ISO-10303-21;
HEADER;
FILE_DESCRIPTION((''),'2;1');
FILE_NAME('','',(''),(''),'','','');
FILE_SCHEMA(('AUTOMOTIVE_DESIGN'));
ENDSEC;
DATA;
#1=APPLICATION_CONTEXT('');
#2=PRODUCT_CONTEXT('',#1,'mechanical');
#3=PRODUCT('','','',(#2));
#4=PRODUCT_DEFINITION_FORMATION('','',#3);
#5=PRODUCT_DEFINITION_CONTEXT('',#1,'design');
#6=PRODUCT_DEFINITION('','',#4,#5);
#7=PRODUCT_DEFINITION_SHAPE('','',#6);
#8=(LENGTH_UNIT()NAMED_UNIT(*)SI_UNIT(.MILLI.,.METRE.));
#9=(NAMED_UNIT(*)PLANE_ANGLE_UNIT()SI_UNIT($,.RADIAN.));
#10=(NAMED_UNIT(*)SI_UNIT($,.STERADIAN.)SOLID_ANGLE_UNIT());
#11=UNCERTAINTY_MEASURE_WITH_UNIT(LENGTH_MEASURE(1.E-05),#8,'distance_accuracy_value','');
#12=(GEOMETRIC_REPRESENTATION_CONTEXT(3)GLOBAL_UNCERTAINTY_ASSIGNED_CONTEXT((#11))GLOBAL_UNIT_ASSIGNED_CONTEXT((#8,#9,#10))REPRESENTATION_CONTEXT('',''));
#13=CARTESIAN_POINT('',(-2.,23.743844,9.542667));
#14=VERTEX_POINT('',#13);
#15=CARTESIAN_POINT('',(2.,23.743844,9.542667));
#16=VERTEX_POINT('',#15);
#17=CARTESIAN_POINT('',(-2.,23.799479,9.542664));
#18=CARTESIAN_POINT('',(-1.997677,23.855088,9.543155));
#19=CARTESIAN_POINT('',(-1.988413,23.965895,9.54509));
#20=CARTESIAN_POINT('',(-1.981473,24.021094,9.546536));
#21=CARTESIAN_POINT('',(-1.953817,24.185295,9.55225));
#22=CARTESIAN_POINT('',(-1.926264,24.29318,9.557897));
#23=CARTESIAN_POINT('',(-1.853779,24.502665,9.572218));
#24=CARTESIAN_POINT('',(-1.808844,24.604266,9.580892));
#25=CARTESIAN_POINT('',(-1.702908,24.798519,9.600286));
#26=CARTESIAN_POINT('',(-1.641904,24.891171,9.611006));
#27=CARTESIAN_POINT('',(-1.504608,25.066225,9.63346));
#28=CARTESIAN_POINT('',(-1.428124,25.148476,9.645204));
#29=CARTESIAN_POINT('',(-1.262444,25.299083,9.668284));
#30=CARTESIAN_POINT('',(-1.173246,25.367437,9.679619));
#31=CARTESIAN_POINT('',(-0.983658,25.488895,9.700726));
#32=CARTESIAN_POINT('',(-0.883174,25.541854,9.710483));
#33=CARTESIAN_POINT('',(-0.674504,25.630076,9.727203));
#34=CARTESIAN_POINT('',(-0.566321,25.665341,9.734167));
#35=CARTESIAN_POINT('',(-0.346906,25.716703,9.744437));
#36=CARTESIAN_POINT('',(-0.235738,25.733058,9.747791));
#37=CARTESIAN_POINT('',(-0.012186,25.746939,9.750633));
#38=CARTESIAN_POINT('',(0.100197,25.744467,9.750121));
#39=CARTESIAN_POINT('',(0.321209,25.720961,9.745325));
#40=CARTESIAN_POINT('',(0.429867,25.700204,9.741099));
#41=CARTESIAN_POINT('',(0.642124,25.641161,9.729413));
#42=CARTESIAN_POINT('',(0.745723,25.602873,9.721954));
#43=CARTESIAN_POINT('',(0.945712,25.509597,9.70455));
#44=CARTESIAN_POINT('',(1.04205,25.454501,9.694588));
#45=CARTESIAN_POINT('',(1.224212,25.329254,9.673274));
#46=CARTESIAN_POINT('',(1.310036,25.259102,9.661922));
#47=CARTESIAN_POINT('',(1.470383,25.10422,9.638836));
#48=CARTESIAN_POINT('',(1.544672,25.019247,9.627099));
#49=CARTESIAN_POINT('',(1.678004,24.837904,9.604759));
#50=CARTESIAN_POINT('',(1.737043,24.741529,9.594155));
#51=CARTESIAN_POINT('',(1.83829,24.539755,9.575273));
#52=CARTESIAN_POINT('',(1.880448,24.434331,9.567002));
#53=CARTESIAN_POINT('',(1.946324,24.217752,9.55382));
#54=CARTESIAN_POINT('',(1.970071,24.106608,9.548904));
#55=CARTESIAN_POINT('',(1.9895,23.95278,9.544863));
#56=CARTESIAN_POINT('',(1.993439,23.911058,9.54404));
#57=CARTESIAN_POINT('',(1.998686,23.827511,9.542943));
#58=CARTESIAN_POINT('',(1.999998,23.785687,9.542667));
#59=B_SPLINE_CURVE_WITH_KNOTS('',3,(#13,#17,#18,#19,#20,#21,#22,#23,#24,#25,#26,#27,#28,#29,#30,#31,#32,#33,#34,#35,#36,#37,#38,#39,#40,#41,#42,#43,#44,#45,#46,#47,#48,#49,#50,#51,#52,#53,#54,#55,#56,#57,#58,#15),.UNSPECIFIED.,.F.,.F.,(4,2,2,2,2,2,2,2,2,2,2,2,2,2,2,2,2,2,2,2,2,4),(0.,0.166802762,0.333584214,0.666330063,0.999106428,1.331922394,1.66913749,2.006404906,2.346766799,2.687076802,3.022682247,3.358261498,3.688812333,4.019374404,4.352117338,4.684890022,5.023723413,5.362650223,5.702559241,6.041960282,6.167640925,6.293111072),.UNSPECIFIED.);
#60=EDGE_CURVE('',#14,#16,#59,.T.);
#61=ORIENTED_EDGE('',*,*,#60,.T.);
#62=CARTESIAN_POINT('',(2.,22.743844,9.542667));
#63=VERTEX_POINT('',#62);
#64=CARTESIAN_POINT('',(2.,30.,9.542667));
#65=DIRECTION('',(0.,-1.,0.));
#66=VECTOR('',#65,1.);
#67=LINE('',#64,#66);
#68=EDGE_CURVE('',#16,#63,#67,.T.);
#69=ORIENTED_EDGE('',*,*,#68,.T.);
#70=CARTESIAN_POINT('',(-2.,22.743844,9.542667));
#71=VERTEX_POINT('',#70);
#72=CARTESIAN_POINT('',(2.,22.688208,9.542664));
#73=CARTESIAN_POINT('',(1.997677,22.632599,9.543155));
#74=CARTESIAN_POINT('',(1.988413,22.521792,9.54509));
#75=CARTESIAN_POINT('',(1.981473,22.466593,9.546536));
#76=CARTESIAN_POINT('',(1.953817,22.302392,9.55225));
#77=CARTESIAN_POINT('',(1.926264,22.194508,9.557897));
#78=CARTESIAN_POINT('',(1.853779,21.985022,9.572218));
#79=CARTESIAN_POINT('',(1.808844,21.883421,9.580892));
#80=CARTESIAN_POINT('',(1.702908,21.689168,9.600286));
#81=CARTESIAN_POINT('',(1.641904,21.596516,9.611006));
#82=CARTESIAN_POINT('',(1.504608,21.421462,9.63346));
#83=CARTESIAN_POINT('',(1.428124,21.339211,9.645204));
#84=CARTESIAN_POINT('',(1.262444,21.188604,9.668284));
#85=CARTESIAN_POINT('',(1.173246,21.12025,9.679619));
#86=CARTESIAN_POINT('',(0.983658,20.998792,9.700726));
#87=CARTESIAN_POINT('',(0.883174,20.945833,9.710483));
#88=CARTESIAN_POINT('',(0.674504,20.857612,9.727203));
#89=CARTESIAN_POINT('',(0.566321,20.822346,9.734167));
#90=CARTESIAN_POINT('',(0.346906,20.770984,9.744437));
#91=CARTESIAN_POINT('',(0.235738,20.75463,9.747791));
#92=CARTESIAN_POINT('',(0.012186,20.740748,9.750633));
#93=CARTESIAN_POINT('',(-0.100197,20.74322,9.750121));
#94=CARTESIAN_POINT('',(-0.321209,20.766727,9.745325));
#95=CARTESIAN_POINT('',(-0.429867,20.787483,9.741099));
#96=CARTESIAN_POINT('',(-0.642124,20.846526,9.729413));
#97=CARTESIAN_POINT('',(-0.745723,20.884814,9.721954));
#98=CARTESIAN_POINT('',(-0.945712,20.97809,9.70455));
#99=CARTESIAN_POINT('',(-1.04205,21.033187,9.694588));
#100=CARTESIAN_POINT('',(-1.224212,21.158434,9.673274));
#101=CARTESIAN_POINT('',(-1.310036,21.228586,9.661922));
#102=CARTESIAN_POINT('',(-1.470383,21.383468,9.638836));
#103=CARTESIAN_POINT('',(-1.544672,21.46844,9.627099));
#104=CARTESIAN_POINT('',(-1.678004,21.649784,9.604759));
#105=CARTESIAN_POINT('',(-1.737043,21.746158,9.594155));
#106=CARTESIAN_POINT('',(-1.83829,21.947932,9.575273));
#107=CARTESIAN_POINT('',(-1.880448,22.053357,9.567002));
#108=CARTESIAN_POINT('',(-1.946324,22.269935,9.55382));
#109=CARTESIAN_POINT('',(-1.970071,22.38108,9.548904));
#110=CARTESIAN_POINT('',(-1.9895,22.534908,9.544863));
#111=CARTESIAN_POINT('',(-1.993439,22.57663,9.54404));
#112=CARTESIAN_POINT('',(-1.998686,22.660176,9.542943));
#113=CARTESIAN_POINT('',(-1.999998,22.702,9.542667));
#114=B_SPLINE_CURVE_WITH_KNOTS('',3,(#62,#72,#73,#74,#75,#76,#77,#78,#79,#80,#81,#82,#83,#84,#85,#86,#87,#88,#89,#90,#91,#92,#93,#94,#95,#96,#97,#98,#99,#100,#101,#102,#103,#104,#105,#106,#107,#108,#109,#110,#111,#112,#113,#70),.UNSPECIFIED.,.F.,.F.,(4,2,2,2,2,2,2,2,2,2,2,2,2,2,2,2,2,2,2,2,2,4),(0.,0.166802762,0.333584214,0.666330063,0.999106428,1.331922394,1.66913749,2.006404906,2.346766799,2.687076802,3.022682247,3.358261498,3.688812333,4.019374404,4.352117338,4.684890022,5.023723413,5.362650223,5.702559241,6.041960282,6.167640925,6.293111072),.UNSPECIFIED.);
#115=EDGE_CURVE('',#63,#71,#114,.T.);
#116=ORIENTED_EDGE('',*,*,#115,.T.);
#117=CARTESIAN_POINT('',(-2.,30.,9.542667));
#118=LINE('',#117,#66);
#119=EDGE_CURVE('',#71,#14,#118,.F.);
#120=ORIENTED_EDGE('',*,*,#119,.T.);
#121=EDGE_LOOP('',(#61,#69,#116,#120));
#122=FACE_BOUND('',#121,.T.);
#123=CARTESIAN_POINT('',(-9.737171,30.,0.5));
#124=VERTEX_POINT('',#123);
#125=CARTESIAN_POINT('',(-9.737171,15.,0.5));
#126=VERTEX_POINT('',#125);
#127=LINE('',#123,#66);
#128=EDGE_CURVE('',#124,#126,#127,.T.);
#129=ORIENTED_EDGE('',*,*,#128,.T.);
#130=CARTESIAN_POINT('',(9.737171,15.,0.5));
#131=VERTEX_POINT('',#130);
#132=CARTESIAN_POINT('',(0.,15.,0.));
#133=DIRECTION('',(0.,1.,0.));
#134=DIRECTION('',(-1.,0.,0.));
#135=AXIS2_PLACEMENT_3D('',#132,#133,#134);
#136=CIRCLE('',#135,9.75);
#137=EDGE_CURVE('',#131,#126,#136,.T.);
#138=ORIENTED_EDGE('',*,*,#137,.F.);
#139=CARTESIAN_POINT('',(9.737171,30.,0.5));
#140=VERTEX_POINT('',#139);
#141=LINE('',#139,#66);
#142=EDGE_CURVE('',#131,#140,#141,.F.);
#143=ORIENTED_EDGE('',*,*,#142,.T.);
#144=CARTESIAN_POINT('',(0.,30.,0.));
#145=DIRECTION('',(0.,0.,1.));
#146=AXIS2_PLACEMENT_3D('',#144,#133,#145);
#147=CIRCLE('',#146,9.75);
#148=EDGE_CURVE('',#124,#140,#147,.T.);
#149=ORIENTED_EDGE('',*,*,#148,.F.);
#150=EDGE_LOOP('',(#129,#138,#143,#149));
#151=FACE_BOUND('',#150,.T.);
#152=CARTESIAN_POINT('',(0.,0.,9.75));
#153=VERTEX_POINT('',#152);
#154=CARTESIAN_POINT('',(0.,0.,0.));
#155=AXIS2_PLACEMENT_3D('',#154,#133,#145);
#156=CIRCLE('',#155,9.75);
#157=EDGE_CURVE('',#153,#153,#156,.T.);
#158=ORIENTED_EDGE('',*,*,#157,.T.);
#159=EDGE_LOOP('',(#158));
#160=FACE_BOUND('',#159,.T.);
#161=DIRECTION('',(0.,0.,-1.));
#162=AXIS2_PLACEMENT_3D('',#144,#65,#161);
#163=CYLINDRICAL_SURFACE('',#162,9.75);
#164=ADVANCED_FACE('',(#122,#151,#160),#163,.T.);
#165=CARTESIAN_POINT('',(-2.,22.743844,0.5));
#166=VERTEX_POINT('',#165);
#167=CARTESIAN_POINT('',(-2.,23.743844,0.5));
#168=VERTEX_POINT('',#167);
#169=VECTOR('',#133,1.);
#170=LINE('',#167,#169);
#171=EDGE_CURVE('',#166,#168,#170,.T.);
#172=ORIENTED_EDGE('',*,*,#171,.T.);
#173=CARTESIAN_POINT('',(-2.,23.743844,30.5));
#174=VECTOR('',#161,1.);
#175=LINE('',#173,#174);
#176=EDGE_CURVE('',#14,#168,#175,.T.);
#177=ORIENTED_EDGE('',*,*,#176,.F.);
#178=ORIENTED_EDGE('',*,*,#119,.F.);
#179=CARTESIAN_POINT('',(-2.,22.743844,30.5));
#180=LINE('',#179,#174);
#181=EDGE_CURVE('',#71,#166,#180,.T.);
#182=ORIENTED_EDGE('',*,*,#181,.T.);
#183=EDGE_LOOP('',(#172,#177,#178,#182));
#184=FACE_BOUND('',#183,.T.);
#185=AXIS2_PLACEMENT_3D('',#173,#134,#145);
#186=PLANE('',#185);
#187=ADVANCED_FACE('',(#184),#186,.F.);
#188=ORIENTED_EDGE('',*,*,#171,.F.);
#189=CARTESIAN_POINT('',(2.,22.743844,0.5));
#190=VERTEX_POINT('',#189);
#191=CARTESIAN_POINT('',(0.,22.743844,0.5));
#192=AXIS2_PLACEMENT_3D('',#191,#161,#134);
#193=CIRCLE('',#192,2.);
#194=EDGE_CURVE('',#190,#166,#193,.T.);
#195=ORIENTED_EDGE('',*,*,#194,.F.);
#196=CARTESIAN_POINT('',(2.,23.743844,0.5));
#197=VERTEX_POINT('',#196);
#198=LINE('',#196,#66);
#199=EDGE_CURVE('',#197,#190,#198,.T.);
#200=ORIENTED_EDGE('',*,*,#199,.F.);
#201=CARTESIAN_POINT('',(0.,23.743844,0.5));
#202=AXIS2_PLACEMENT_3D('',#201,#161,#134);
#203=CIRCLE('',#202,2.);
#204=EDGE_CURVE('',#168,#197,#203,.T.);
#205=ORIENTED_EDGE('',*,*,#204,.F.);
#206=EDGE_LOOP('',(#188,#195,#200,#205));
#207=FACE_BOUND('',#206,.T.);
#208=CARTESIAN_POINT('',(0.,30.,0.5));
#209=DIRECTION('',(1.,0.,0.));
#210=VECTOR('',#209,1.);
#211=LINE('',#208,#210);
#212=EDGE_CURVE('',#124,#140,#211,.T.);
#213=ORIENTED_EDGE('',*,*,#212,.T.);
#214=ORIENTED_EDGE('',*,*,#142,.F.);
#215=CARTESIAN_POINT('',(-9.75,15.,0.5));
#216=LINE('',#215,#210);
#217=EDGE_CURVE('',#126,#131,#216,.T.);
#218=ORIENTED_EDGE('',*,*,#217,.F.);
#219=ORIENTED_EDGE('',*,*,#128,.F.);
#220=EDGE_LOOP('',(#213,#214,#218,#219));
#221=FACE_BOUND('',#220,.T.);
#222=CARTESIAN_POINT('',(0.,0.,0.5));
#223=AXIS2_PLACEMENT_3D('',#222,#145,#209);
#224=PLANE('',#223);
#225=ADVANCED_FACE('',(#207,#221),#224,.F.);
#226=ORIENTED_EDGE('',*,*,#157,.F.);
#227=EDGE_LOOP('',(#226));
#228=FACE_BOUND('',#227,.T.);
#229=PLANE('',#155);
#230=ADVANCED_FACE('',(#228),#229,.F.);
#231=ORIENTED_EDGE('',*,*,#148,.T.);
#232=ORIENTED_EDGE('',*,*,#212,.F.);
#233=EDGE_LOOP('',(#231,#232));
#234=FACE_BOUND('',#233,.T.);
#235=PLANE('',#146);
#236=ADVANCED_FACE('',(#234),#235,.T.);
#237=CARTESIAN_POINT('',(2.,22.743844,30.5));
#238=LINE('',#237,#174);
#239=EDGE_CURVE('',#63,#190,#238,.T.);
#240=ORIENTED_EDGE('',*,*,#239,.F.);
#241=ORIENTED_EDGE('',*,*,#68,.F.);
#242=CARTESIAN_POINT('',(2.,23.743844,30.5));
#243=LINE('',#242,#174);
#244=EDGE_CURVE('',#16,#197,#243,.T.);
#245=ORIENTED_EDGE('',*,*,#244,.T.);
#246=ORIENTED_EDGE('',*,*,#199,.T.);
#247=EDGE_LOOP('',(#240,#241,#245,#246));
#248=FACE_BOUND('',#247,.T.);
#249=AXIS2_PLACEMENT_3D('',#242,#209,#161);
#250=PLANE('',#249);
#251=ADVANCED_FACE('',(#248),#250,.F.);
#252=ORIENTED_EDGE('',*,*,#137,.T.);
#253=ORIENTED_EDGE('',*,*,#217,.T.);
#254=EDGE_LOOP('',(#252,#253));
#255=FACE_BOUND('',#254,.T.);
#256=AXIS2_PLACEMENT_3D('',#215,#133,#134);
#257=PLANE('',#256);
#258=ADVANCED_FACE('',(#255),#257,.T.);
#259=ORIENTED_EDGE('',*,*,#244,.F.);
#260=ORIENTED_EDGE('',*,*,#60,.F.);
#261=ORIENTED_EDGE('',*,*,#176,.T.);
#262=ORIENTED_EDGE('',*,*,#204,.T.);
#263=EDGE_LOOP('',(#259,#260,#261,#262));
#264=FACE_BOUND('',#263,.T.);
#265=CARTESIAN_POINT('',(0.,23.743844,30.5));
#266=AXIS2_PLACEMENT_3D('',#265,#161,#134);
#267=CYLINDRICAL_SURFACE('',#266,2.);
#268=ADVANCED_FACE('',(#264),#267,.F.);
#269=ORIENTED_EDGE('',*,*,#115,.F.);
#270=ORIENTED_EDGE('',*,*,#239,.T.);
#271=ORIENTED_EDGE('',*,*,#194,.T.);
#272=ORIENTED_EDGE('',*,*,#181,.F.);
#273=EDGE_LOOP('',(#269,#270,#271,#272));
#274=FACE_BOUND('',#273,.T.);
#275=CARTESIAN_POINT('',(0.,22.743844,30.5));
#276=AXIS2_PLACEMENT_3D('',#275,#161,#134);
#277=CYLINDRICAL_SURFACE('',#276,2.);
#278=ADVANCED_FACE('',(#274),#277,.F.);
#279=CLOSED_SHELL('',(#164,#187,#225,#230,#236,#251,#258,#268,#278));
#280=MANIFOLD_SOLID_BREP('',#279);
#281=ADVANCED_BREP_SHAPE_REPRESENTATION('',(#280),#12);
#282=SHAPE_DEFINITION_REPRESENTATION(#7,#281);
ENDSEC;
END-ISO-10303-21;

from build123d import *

# Parameters (mm, degrees)
SKETCH1_R               = 9.75
BOSS_EXTRUDE1_DEPTH     = 30
SKETCH3_W               = 19.5
SKETCH3_H               = 15
CUT_EXTRUDE1_DEPTH      = 0.5
CUT_EXTRUDE1_DEPTH_BACK = 30
CUT_EXTRUDE2_DEPTH      = 30


with BuildPart() as part:
    # Sketch1 → Boss-Extrude1 (new body)
    with BuildSketch(Plane(origin=(0, 0, 0), x_dir=(1, 0, 0), z_dir=(0, 1, 0))):
        Circle(SKETCH1_R)
    extrude(amount=BOSS_EXTRUDE1_DEPTH)

    # Sketch3 → Cut-Extrude1 (cut, two sides)
    with BuildSketch(Plane.XY) as cut_extrude1_sk:
        with Locations((0, 22.5)):
            Rectangle(SKETCH3_W, SKETCH3_H)
    extrude(amount=CUT_EXTRUDE1_DEPTH, mode=Mode.SUBTRACT)
    extrude(cut_extrude1_sk.sketch, amount=-CUT_EXTRUDE1_DEPTH_BACK, mode=Mode.SUBTRACT)

    # Sketch4 → Cut-Extrude2 (cut)
    with BuildSketch(Plane(origin=(0, 0, 0.5), x_dir=(-1, 0, 0), z_dir=(0, 0, -1))):
        with BuildLine():
            Line((2, 23.743843632), (2, 22.743843632))
            ThreePointArc((2, 22.743843632), (0, 20.743843632), (-2, 22.743843632))
            Line((-2, 22.743843632), (-2, 23.743843632))
            ThreePointArc((-2, 23.743843632), (0, 25.743843632), (2, 23.743843632))
        make_face()
    extrude(amount=-CUT_EXTRUDE2_DEPTH, mode=Mode.SUBTRACT)


solid = part.part
